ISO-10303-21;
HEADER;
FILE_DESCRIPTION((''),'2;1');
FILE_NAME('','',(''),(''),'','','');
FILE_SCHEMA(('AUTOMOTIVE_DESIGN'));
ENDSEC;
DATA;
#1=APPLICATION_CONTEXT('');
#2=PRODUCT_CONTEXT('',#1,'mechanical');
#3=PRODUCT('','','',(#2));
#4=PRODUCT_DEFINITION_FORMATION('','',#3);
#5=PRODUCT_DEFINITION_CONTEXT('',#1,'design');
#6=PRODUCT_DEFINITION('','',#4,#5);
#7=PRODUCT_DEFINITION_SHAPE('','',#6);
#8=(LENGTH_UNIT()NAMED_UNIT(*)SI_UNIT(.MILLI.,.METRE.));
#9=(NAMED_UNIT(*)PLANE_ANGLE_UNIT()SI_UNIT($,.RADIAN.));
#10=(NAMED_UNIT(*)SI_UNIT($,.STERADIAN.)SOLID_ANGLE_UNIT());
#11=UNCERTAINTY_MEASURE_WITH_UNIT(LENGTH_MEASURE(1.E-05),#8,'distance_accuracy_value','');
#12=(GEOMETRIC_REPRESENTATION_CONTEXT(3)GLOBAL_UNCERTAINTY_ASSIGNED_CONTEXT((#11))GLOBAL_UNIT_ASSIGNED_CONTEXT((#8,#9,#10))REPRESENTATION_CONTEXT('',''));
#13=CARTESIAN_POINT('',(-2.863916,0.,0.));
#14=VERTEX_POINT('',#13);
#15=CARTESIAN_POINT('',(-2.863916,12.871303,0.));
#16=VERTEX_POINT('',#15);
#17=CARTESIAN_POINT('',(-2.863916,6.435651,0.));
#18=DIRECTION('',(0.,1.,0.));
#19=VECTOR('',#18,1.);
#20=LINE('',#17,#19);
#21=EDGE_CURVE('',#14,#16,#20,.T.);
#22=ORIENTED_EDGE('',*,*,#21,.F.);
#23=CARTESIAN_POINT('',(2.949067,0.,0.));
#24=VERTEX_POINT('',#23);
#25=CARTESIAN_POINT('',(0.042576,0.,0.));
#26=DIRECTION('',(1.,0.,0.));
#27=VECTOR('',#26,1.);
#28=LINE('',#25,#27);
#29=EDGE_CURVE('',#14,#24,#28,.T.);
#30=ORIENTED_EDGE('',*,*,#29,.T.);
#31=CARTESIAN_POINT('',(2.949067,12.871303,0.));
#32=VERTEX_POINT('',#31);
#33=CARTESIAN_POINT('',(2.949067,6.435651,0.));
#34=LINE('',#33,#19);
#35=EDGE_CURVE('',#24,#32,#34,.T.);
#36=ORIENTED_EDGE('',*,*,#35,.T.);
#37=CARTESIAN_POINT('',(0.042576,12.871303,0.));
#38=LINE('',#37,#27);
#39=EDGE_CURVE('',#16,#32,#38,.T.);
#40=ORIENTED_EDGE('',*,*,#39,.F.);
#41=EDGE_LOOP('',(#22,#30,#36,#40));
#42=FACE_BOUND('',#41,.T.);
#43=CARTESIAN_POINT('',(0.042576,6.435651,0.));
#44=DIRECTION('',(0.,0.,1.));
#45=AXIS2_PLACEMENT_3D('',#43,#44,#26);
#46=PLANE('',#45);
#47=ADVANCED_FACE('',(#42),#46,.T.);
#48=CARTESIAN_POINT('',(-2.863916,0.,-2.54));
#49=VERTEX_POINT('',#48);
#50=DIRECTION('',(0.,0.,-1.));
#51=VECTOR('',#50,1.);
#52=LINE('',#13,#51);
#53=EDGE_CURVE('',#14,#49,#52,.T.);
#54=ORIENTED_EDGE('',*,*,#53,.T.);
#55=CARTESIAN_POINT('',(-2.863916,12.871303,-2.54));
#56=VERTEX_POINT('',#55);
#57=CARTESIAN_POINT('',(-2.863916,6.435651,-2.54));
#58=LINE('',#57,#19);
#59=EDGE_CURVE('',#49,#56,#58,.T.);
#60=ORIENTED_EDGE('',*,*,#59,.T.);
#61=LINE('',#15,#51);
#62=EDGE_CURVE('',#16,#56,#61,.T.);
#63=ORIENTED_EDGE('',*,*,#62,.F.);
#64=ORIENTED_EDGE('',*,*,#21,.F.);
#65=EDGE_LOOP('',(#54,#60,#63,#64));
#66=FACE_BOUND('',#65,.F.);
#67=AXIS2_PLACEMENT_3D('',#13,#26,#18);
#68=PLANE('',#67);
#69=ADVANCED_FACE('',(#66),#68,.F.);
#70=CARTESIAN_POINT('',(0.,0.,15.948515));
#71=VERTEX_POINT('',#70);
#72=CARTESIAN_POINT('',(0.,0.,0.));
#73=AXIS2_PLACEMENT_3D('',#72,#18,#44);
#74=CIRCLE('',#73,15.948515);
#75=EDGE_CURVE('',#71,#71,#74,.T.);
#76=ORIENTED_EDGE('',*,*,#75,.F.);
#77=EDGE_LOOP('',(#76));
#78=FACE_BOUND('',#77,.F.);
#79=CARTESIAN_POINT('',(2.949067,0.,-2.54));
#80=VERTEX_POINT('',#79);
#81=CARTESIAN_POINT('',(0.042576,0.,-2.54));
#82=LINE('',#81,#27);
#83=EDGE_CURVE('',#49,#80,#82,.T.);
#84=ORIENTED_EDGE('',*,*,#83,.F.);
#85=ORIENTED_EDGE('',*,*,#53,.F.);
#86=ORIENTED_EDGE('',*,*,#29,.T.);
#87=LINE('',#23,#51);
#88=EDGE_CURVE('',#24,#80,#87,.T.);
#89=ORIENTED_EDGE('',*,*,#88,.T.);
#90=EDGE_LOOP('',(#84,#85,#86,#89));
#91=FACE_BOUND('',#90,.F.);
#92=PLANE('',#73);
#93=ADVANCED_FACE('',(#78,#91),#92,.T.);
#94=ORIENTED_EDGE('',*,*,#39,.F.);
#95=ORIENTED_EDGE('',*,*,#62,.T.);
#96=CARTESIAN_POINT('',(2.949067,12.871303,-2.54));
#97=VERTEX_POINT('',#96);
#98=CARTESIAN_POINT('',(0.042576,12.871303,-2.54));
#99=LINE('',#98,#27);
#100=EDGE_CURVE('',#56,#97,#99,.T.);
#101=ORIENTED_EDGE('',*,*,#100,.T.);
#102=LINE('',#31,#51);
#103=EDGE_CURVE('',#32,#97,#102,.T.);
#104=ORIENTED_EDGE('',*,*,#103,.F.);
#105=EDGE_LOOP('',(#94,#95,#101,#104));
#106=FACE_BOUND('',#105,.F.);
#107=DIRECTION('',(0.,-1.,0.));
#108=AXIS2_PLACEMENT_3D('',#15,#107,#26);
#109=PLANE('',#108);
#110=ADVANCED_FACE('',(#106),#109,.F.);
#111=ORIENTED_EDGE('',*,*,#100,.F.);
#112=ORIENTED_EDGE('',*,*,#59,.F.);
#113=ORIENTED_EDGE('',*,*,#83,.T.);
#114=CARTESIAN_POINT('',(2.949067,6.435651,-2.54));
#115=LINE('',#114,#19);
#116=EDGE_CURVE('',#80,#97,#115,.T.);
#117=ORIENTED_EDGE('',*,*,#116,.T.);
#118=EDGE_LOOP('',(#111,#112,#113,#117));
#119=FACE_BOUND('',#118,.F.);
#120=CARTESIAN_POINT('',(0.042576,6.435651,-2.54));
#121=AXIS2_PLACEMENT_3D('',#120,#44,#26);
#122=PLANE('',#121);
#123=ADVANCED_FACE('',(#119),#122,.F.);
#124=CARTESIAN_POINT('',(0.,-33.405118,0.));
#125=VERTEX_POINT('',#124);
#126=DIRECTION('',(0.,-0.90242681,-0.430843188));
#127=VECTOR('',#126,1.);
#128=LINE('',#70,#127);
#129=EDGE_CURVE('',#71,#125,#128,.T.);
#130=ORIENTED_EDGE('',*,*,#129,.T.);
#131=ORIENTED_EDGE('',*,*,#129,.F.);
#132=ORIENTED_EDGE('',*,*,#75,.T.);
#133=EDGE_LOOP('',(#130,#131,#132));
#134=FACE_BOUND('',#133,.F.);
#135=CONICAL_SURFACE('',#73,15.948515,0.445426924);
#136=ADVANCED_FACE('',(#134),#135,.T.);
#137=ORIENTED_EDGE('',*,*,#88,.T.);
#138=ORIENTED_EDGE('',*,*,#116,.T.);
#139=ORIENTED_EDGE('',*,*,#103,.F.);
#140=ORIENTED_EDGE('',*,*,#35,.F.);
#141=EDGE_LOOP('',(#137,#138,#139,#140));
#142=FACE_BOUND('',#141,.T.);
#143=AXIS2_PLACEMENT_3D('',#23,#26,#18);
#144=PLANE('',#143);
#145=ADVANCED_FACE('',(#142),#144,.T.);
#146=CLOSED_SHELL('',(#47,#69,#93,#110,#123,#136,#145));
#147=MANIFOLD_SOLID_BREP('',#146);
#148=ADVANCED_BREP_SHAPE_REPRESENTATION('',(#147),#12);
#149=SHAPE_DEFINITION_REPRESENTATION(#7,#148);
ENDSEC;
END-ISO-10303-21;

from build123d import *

# Parameters (mm, degrees)
F3_W     = 5.812983
F3_H     = 12.871303
F4_DEPTH = 2.54


with BuildPart() as f2:
    # F0 (on Right) → F2 (revolve)
    with BuildSketch(Plane.YZ):
        Polygon((-33.405118, 0), (0, 0), (0, 15.948515), align=None)
    revolve(axis=Axis((0, -44.302095, 0), (0, 1, 0)))

    # F3 (on Top) → F4 (join)
    with BuildSketch(Plane.XY):
        with Locations((0.042576, 6.435651)):
            Rectangle(F3_W, F3_H)
    extrude(amount=-F4_DEPTH)


solid = f2.part
